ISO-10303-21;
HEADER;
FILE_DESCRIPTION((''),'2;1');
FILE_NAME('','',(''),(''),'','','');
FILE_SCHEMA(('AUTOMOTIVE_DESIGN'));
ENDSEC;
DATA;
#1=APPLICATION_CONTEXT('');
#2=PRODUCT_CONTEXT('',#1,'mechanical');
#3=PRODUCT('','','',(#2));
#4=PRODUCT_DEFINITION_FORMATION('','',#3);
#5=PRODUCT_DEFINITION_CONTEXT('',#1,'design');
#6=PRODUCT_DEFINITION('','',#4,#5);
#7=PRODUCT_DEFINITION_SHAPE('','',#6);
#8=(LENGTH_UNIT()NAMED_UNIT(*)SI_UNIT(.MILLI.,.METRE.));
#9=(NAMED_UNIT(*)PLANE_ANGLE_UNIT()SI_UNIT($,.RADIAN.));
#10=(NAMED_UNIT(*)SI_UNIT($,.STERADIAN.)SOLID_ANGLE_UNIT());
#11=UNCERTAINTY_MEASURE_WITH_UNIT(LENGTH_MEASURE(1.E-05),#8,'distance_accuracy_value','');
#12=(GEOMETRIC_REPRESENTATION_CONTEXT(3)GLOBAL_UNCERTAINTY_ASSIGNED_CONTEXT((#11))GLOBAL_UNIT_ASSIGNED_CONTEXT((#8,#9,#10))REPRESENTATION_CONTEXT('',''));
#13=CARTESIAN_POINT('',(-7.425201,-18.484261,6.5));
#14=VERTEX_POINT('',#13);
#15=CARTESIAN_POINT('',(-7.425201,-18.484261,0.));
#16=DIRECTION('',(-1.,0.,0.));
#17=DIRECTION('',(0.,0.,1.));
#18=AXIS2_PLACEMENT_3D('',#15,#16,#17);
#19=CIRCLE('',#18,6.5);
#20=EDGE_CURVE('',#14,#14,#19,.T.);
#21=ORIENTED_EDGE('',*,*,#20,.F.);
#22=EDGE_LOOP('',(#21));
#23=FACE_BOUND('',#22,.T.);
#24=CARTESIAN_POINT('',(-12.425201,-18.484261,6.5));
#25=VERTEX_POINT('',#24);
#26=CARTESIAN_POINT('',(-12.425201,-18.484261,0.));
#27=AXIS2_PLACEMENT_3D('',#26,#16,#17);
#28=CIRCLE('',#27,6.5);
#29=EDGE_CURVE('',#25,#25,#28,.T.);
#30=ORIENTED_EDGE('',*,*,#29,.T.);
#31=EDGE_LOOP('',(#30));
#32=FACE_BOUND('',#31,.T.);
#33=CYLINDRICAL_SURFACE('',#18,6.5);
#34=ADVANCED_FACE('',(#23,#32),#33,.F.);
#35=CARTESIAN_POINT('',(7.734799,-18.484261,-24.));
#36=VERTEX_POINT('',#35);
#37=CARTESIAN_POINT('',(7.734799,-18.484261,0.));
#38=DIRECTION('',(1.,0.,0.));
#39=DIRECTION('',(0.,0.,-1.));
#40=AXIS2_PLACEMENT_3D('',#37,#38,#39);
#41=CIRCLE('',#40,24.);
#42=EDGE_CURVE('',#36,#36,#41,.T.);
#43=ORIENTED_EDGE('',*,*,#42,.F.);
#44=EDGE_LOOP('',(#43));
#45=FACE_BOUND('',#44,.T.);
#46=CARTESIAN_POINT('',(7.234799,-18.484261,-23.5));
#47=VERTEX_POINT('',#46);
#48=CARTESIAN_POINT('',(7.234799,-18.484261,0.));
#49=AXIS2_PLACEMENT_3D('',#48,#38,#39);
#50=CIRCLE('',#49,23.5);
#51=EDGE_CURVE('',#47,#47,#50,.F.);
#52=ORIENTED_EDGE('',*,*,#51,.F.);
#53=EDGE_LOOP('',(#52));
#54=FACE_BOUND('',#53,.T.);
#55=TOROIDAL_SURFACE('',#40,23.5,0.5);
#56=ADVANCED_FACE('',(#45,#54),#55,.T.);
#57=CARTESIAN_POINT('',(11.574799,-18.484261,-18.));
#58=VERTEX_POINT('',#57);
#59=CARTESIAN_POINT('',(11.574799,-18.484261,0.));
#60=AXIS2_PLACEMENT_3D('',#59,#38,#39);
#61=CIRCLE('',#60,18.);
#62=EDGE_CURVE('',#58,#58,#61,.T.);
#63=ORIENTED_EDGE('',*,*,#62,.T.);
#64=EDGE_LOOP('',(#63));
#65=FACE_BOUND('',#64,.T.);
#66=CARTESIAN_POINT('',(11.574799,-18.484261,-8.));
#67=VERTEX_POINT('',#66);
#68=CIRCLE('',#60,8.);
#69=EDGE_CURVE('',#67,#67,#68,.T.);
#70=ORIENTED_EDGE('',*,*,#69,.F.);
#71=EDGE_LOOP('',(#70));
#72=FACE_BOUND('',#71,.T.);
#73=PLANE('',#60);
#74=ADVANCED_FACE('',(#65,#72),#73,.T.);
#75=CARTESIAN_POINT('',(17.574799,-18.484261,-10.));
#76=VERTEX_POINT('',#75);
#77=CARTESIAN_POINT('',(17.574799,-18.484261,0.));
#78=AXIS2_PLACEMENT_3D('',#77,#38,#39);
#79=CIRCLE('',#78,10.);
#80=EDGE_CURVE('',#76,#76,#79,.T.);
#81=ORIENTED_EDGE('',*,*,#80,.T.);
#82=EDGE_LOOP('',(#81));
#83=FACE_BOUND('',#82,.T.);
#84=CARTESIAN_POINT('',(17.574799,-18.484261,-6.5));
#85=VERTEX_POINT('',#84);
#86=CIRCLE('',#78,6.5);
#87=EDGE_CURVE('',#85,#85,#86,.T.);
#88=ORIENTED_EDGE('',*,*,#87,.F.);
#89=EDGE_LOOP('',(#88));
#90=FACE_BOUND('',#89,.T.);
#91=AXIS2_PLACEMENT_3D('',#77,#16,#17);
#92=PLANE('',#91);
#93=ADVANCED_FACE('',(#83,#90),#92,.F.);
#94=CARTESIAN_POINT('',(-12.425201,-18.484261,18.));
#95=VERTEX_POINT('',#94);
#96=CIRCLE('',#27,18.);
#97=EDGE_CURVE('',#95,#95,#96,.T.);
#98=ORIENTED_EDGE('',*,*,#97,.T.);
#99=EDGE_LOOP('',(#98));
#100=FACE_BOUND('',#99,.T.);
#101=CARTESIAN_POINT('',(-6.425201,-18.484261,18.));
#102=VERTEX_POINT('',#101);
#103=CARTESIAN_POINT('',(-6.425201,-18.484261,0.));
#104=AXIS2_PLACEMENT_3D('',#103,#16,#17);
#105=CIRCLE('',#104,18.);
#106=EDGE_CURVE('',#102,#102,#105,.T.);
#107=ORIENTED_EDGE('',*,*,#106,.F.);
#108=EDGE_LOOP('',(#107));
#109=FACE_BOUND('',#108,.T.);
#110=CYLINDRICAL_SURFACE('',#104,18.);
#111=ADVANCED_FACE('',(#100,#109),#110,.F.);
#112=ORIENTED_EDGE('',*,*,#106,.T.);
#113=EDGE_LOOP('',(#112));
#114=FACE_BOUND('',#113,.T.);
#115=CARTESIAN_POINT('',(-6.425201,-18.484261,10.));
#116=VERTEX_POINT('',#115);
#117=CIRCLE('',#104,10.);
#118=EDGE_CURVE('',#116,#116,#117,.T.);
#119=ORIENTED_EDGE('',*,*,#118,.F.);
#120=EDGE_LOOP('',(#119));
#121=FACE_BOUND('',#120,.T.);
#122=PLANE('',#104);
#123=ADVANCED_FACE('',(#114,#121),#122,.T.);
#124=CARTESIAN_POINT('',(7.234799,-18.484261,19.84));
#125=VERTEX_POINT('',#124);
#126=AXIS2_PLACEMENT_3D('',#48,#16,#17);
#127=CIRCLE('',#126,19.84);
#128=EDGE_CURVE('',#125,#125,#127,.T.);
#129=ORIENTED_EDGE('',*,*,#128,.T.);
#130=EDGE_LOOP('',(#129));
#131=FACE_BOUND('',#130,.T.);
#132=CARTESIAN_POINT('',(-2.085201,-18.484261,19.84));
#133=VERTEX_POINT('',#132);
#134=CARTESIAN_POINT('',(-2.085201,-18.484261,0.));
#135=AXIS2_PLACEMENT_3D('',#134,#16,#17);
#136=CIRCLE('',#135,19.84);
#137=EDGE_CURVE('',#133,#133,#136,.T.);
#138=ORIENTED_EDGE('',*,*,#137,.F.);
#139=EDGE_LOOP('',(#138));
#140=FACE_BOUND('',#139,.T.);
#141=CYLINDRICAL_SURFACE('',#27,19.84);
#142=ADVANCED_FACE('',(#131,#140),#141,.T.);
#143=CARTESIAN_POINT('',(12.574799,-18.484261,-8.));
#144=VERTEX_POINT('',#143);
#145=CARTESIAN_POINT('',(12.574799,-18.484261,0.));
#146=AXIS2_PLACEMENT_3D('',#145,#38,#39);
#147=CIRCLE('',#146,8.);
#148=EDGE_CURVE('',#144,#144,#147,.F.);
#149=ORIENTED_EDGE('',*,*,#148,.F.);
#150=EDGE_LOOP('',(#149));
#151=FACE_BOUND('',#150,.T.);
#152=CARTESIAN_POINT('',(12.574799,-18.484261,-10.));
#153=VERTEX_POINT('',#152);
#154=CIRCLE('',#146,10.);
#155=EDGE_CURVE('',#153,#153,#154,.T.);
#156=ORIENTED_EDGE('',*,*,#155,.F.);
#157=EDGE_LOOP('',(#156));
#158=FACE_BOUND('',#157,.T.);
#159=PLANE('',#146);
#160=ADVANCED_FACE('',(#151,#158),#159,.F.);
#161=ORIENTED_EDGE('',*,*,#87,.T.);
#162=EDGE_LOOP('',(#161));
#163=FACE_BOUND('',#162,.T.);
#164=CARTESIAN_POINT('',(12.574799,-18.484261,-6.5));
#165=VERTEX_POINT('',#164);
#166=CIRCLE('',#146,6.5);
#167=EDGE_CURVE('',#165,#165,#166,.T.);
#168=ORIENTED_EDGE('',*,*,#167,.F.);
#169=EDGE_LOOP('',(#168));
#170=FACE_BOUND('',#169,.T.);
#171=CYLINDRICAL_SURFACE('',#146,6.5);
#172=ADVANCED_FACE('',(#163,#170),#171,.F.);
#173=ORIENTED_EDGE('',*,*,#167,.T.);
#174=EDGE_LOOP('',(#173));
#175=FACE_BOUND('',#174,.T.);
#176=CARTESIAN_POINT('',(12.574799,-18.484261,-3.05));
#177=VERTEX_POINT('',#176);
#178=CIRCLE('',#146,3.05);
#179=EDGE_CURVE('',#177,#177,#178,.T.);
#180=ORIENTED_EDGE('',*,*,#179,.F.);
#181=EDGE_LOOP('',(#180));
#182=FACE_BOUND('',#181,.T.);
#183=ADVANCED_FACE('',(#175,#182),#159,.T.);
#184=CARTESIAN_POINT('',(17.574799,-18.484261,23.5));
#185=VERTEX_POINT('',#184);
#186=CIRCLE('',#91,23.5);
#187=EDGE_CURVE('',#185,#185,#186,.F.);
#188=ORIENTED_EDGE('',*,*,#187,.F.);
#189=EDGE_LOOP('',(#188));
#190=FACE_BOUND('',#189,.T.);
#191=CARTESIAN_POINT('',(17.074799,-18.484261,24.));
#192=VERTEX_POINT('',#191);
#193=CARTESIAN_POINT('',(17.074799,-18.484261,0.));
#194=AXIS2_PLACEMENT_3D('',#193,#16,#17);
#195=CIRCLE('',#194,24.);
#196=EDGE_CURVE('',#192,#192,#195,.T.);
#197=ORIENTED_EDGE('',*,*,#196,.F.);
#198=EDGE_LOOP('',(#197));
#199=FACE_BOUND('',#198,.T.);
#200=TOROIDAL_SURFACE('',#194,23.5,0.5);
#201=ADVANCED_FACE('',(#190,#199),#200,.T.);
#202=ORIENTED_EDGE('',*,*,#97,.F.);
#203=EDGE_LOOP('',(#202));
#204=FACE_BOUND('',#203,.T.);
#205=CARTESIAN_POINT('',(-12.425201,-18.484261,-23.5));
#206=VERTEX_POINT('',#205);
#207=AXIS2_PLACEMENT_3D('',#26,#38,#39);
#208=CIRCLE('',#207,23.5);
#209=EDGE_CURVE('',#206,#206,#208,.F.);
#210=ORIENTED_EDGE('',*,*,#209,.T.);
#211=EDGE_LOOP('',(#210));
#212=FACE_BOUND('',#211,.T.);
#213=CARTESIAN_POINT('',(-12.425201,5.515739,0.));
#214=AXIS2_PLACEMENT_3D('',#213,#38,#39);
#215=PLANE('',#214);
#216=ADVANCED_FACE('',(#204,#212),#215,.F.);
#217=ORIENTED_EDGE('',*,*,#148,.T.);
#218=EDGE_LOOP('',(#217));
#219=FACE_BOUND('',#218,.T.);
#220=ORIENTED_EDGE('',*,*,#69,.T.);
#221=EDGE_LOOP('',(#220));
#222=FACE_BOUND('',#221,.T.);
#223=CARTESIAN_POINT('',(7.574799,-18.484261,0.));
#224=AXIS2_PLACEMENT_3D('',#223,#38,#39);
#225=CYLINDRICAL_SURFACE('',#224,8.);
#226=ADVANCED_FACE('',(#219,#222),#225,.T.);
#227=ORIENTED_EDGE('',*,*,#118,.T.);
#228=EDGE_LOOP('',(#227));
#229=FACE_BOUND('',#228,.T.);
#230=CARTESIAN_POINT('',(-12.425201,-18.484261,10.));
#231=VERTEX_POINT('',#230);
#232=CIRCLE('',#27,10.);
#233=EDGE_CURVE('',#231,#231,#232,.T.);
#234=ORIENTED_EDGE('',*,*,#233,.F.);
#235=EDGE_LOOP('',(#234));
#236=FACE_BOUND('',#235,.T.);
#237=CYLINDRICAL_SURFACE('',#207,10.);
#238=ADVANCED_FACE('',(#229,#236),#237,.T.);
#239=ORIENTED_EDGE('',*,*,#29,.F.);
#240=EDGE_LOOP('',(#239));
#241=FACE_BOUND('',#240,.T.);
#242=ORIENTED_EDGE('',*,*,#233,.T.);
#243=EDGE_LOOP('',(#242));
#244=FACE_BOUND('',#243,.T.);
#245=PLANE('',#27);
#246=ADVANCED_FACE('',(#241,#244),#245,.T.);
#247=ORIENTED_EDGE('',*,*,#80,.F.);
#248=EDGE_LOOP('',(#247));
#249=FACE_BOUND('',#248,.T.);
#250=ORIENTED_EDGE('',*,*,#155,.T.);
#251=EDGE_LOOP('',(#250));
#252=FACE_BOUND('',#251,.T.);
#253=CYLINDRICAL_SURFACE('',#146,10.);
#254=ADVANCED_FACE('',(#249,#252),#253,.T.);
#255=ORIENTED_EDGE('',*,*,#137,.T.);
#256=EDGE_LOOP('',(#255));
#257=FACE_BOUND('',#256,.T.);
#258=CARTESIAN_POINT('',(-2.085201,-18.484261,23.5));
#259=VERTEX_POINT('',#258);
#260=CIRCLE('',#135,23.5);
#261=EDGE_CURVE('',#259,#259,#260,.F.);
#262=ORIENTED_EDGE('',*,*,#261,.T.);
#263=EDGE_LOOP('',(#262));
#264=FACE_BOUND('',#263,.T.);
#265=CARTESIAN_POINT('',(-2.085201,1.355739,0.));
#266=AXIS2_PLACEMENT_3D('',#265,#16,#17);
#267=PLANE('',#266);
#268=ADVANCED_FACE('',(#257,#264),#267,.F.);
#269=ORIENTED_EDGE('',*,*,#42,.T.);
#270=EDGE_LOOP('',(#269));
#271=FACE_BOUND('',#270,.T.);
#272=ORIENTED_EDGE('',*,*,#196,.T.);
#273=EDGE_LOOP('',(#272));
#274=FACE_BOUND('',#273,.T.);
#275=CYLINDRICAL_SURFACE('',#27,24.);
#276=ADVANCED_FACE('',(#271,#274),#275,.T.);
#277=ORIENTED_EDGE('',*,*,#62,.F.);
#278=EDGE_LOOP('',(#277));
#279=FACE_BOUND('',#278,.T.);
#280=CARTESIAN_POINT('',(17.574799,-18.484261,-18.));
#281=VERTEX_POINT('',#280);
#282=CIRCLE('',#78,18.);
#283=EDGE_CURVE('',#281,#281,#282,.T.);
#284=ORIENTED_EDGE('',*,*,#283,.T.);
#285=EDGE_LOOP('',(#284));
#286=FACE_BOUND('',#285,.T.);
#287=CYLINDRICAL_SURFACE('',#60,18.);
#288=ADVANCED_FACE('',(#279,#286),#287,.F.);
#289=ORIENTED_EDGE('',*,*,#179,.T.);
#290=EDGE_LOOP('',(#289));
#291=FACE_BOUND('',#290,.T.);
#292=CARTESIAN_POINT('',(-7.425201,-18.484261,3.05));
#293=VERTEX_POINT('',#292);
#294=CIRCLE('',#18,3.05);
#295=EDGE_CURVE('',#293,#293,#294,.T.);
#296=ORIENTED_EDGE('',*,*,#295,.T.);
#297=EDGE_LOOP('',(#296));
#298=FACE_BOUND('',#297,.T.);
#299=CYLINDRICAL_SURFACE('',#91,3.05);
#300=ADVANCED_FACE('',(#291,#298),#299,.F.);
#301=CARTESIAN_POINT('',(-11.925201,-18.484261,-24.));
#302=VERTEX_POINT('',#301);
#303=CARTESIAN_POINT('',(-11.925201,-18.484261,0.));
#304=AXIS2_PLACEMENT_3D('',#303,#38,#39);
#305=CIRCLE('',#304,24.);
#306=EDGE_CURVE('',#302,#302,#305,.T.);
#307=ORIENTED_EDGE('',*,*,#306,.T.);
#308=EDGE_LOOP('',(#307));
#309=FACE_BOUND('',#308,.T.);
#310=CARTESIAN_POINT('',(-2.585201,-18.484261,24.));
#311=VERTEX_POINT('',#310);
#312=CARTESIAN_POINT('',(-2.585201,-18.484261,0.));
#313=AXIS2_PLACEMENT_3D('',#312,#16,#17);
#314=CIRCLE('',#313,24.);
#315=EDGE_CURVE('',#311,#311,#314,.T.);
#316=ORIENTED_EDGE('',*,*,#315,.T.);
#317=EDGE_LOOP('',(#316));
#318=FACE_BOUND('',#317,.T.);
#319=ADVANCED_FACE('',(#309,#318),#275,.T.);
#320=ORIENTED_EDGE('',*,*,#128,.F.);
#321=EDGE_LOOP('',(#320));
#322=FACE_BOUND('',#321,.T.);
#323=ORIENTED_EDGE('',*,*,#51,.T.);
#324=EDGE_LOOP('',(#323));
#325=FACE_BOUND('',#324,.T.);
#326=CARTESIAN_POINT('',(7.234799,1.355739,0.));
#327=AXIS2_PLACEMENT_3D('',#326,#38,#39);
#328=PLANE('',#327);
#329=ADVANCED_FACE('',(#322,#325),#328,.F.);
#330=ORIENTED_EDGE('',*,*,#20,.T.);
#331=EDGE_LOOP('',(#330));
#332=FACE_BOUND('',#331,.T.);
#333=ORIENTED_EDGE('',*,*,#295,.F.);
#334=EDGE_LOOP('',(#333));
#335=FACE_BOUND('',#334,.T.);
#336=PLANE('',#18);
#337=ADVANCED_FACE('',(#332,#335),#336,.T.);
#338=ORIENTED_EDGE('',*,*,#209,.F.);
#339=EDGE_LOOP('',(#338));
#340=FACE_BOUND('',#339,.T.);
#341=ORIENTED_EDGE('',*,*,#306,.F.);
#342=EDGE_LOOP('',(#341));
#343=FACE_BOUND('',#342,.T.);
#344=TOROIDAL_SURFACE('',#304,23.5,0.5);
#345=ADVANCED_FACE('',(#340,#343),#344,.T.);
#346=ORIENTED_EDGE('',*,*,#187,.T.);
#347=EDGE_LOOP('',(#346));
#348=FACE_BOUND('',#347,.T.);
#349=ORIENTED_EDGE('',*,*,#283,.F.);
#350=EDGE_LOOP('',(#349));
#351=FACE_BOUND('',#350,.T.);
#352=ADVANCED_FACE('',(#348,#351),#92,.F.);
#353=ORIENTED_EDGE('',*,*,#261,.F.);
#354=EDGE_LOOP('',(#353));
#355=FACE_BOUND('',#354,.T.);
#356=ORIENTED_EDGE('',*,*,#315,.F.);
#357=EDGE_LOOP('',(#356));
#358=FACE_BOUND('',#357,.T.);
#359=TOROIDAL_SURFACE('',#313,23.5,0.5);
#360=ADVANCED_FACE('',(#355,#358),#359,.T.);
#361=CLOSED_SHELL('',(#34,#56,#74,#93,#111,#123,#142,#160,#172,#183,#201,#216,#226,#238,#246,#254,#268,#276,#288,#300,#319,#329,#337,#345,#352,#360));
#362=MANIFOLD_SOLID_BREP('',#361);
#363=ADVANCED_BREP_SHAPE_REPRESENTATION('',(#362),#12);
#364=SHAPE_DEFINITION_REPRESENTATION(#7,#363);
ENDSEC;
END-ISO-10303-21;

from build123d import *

# Parameters (mm, degrees)
SKETCH3_R           = 2
CUT_EXTRUDE1_DEPTH  = 58.27924924
FILLET2_R           = 0.5
SKETCH4_R           = 18
SKETCH4_R_2         = 6
CUT_EXTRUDE2_DEPTH  = 6
CUT_EXTRUDE3_START  = -6
SKETCH5_R           = 18
CUT_EXTRUDE3_DEPTH  = 6
SKETCH6_R           = 10
BOSS_EXTRUDE1_DEPTH = 6
SKETCH8_R           = 8
BOSS_EXTRUDE2_DEPTH = 10
SKETCH10_R          = 6.5
CUT_EXTRUDE5_DEPTH  = 5
SKETCH11_R          = 10
BOSS_EXTRUDE3_DEPTH = 5
CUT_EXTRUDE6_START  = -5
SKETCH12_R          = 6.5
CUT_EXTRUDE6_DEPTH  = 5
SKETCH7_R           = 3.05
CUT_EXTRUDE8_DEPTH  = 58.279249356


with BuildPart() as part:
    # Sketch2 → Revolve1 (revolve)
    with BuildSketch(Plane.XY, mode=Mode.PRIVATE) as revolve1_sk:
        Polygon((-2.085200875, 1.355739462), (7.234799125, 1.355739462), (7.234799125, 5.515739462), (17.574799125, 5.515739462), (17.574799125, -18.484260538), (-12.425200875, -18.484260538), (-12.425200875, 5.515739462), (-2.085200875, 5.515739462), align=None)
    revolve(revolve1_sk.sketch.rotate(Axis((-12.425200875, -18.484260538, 0), (1, 0, 0)), 90), axis=Axis((-12.425200875, -18.484260538, 0), (1, 0, 0)))

    # Sketch3 → Cut-Extrude1 (cut, through all)
    with BuildSketch(Plane(origin=(17.574799125, 0, 0), x_dir=(0, 0, -1), z_dir=(1, 0, 0))):
        with Locations((0, -18.484260538)):
            Circle(SKETCH3_R)
    extrude(amount=-CUT_EXTRUDE1_DEPTH, mode=Mode.SUBTRACT)

    # Fillet2
    fillet2_edges = [part.edges().sort_by_distance(p)[0] for p in [
        (-2.085200875, -18.484260538, -24),
        (7.234799125, -18.484260538, -24),
        (17.574799125, -18.484260538, -24),
        (-12.425200875, -18.484260538, -24),
    ]]
    fillet(fillet2_edges, radius=FILLET2_R)

    # Sketch4 → Cut-Extrude2 (cut)
    with BuildSketch(Plane(origin=(17.574799125, 0, 0), x_dir=(0, 0, -1), z_dir=(1, 0, 0))):
        with Locations((0, -18.484260538)):
            Circle(SKETCH4_R)
        with Locations((0, -18.484260538)):
            Circle(SKETCH4_R_2, mode=Mode.SUBTRACT)
    extrude(amount=-CUT_EXTRUDE2_DEPTH, mode=Mode.SUBTRACT)

    # Sketch5 → Cut-Extrude3 (cut)
    with BuildSketch(Plane.ZY.offset(12.425200875).offset(CUT_EXTRUDE3_START)):
        with Locations(Location((0, -18.484260538, 0), (0, 0, 180))):
            Circle(SKETCH5_R)
    extrude(amount=CUT_EXTRUDE3_DEPTH, mode=Mode.SUBTRACT)

    # Sketch6 → Boss-Extrude1 (add, through all)
    with BuildSketch(Plane.ZY.offset(6.425200875)):
        with Locations((0, -18.484260538)):
            Circle(SKETCH6_R)
    extrude(amount=BOSS_EXTRUDE1_DEPTH)

    # Sketch8 → Boss-Extrude2 (add)
    with BuildSketch(Plane(origin=(17.574799125, 0, 0), x_dir=(0, 0, -1), z_dir=(1, 0, 0))):
        with Locations((0, -18.484260538)):
            Circle(SKETCH8_R)
    extrude(amount=-BOSS_EXTRUDE2_DEPTH)

    # Sketch10 → Cut-Extrude5 (cut)
    with BuildSketch(Plane.ZY.offset(12.425200875)):
        with Locations((0, -18.484260538)):
            Circle(SKETCH10_R)
    extrude(amount=-CUT_EXTRUDE5_DEPTH, mode=Mode.SUBTRACT)

    # Sketch11 → Boss-Extrude3 (add)
    with BuildSketch(Plane(origin=(17.574799125, 0, 0), x_dir=(0, 0, -1), z_dir=(1, 0, 0))):
        with Locations(Location((0, -18.484260538, 0), (0, 0, 180))):
            Circle(SKETCH11_R)
    extrude(amount=-BOSS_EXTRUDE3_DEPTH)

    # Sketch12 → Cut-Extrude6 (cut)
    with BuildSketch(Plane(origin=(17.574799125, 0, 0), x_dir=(0, 0, -1), z_dir=(1, 0, 0)).offset(CUT_EXTRUDE6_START)):
        with Locations(Location((0, -18.484260538, 0), (0, 0, 180))):
            Circle(SKETCH12_R)
    extrude(amount=CUT_EXTRUDE6_DEPTH, mode=Mode.SUBTRACT)

    # Sketch7 → Cut-Extrude8 (cut, through all)
    with BuildSketch(Plane.ZY.offset(12.425200875)):
        with Locations((0, -18.484260538)):
            Circle(SKETCH7_R)
    extrude(amount=-CUT_EXTRUDE8_DEPTH, mode=Mode.SUBTRACT)


solid = part.part
